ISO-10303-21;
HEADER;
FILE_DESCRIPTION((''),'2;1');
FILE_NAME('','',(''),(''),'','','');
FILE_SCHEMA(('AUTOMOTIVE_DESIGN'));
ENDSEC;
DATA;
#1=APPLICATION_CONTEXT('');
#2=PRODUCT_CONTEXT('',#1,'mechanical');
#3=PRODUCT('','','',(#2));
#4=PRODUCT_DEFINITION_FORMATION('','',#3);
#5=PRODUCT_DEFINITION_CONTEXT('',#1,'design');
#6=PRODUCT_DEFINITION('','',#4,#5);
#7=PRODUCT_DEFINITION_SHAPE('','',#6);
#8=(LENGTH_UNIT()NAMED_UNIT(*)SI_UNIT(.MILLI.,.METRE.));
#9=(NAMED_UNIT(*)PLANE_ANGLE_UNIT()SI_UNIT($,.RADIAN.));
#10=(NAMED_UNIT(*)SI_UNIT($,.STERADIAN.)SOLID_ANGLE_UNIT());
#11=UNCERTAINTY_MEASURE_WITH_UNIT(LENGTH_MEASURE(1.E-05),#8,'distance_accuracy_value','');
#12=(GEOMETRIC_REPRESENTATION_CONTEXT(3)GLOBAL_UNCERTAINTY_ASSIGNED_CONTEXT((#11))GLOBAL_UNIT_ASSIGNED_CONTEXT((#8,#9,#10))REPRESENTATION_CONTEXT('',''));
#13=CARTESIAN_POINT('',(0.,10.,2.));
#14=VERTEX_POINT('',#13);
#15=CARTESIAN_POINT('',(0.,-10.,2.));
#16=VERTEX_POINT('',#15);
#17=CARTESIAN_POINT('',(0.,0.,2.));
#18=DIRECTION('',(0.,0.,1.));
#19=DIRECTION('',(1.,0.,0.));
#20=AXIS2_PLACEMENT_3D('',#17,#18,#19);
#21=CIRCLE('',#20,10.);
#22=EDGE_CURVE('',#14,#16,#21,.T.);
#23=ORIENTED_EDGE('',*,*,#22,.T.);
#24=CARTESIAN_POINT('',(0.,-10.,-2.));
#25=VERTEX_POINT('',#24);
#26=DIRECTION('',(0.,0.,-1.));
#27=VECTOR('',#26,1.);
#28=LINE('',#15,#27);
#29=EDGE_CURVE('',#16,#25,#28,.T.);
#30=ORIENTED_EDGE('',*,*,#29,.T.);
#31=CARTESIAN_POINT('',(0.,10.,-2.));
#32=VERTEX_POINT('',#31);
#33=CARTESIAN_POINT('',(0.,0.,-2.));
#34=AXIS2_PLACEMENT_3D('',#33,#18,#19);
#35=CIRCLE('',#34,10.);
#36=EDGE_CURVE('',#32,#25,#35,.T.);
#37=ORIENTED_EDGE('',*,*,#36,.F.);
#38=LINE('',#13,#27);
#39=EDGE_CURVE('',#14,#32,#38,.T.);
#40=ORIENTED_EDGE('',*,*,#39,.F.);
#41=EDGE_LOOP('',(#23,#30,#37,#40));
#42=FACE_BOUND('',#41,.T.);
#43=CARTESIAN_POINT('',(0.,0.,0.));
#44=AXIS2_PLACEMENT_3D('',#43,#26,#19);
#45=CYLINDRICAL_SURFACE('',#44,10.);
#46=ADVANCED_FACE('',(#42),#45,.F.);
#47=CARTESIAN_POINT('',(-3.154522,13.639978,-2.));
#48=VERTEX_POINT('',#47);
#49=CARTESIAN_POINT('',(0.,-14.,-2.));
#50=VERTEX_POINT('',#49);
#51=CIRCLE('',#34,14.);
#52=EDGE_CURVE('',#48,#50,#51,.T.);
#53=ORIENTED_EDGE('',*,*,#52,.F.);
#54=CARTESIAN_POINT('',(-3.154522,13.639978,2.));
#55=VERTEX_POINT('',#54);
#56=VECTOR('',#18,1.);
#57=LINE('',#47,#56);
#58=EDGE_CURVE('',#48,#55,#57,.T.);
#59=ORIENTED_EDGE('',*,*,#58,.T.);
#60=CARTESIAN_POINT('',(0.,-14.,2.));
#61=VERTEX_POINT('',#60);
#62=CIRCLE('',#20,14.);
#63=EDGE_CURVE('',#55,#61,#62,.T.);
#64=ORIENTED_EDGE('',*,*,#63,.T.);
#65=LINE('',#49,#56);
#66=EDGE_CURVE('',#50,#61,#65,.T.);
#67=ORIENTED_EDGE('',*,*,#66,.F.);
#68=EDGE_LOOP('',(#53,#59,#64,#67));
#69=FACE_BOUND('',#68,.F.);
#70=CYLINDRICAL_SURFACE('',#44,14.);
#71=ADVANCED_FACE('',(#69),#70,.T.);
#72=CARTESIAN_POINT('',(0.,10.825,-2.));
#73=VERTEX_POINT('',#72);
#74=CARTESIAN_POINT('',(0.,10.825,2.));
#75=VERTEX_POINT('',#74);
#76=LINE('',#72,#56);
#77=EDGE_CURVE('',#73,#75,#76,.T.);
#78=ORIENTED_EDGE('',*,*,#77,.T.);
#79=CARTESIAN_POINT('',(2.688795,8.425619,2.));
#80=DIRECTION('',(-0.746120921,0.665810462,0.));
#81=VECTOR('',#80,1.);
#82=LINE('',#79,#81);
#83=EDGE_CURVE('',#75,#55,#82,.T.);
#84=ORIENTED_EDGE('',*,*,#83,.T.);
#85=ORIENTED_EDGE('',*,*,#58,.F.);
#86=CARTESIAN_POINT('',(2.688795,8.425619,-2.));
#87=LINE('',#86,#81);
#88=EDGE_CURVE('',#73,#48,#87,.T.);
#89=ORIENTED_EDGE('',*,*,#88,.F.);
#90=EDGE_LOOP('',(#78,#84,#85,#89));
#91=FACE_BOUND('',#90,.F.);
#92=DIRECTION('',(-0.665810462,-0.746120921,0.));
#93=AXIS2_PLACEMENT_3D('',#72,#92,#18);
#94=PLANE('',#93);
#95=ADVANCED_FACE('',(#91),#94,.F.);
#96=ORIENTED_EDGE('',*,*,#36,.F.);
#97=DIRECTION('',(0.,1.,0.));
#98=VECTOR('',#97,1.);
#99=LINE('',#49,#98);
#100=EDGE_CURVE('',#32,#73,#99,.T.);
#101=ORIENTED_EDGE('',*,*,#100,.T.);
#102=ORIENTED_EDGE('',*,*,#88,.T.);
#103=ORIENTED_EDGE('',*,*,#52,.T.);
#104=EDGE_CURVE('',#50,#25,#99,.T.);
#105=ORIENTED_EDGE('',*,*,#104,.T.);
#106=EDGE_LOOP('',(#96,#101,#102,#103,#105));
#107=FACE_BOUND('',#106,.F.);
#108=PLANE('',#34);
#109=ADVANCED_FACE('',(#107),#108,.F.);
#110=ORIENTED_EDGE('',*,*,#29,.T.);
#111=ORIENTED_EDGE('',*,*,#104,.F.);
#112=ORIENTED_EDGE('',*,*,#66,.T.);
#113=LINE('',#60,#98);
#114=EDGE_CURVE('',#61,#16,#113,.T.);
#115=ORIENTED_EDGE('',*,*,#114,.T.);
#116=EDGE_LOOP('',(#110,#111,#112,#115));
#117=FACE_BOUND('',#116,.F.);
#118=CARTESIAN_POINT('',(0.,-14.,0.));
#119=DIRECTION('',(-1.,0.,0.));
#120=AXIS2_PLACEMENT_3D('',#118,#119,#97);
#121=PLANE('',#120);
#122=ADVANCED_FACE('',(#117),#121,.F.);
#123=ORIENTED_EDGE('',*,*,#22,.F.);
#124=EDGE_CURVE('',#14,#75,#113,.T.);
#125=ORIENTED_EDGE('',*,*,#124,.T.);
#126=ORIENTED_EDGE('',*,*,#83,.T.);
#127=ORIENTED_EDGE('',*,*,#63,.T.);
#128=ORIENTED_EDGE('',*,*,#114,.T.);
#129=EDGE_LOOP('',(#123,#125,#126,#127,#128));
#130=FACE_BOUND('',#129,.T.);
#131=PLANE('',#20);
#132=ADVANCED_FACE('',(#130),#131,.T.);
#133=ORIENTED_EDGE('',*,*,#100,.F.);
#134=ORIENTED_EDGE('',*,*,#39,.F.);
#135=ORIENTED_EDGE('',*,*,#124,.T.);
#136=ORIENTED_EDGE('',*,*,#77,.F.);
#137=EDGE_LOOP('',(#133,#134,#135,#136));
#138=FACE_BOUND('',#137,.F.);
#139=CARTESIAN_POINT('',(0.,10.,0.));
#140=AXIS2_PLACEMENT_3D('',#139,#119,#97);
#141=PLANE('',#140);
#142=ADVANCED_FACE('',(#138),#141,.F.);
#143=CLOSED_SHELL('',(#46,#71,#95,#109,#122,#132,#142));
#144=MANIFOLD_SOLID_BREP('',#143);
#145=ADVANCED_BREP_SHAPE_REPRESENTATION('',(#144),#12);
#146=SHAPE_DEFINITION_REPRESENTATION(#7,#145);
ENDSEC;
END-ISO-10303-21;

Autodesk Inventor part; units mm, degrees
ref_plane "YZ Plane" through (0, 0, 0) normal (1, 0, 0) x (0, 1, 0)
ref_plane "XZ Plane" through (0, 0, 0) normal (0, 1, 0) x (-1, 0, 0)
ref_plane "Work Plane1" through (0, 0, 0) normal (0, 0, 1) x (1, 0, 0)
sketch "Sketch1" plane through (0, 0, 0) normal (0, 0, 1) x (1, 0, 0)
  circle A0 centre (0, 0) radius 14
  circle A1 centre (0, 0) radius 10
  line L0 (0, -14) -> (0, 14)
  point P0 (0, 10)
  point P1 (0, -10)
  dimension "d1" = 4
  dimension "d4" = 20
extrude "Extrusion1" add sketch "Sketch1" along normal mid plane 4 contours L0 A1 A0 picked at (-1.9145, -12.4342)
chamfer "Chamfer1" distance 3.175 angle 45 1 edges at (0, 14, 0)
properties part number "2101b_Tx_Coil_Spacer_short_v1" material "Acetal Resin, White"
